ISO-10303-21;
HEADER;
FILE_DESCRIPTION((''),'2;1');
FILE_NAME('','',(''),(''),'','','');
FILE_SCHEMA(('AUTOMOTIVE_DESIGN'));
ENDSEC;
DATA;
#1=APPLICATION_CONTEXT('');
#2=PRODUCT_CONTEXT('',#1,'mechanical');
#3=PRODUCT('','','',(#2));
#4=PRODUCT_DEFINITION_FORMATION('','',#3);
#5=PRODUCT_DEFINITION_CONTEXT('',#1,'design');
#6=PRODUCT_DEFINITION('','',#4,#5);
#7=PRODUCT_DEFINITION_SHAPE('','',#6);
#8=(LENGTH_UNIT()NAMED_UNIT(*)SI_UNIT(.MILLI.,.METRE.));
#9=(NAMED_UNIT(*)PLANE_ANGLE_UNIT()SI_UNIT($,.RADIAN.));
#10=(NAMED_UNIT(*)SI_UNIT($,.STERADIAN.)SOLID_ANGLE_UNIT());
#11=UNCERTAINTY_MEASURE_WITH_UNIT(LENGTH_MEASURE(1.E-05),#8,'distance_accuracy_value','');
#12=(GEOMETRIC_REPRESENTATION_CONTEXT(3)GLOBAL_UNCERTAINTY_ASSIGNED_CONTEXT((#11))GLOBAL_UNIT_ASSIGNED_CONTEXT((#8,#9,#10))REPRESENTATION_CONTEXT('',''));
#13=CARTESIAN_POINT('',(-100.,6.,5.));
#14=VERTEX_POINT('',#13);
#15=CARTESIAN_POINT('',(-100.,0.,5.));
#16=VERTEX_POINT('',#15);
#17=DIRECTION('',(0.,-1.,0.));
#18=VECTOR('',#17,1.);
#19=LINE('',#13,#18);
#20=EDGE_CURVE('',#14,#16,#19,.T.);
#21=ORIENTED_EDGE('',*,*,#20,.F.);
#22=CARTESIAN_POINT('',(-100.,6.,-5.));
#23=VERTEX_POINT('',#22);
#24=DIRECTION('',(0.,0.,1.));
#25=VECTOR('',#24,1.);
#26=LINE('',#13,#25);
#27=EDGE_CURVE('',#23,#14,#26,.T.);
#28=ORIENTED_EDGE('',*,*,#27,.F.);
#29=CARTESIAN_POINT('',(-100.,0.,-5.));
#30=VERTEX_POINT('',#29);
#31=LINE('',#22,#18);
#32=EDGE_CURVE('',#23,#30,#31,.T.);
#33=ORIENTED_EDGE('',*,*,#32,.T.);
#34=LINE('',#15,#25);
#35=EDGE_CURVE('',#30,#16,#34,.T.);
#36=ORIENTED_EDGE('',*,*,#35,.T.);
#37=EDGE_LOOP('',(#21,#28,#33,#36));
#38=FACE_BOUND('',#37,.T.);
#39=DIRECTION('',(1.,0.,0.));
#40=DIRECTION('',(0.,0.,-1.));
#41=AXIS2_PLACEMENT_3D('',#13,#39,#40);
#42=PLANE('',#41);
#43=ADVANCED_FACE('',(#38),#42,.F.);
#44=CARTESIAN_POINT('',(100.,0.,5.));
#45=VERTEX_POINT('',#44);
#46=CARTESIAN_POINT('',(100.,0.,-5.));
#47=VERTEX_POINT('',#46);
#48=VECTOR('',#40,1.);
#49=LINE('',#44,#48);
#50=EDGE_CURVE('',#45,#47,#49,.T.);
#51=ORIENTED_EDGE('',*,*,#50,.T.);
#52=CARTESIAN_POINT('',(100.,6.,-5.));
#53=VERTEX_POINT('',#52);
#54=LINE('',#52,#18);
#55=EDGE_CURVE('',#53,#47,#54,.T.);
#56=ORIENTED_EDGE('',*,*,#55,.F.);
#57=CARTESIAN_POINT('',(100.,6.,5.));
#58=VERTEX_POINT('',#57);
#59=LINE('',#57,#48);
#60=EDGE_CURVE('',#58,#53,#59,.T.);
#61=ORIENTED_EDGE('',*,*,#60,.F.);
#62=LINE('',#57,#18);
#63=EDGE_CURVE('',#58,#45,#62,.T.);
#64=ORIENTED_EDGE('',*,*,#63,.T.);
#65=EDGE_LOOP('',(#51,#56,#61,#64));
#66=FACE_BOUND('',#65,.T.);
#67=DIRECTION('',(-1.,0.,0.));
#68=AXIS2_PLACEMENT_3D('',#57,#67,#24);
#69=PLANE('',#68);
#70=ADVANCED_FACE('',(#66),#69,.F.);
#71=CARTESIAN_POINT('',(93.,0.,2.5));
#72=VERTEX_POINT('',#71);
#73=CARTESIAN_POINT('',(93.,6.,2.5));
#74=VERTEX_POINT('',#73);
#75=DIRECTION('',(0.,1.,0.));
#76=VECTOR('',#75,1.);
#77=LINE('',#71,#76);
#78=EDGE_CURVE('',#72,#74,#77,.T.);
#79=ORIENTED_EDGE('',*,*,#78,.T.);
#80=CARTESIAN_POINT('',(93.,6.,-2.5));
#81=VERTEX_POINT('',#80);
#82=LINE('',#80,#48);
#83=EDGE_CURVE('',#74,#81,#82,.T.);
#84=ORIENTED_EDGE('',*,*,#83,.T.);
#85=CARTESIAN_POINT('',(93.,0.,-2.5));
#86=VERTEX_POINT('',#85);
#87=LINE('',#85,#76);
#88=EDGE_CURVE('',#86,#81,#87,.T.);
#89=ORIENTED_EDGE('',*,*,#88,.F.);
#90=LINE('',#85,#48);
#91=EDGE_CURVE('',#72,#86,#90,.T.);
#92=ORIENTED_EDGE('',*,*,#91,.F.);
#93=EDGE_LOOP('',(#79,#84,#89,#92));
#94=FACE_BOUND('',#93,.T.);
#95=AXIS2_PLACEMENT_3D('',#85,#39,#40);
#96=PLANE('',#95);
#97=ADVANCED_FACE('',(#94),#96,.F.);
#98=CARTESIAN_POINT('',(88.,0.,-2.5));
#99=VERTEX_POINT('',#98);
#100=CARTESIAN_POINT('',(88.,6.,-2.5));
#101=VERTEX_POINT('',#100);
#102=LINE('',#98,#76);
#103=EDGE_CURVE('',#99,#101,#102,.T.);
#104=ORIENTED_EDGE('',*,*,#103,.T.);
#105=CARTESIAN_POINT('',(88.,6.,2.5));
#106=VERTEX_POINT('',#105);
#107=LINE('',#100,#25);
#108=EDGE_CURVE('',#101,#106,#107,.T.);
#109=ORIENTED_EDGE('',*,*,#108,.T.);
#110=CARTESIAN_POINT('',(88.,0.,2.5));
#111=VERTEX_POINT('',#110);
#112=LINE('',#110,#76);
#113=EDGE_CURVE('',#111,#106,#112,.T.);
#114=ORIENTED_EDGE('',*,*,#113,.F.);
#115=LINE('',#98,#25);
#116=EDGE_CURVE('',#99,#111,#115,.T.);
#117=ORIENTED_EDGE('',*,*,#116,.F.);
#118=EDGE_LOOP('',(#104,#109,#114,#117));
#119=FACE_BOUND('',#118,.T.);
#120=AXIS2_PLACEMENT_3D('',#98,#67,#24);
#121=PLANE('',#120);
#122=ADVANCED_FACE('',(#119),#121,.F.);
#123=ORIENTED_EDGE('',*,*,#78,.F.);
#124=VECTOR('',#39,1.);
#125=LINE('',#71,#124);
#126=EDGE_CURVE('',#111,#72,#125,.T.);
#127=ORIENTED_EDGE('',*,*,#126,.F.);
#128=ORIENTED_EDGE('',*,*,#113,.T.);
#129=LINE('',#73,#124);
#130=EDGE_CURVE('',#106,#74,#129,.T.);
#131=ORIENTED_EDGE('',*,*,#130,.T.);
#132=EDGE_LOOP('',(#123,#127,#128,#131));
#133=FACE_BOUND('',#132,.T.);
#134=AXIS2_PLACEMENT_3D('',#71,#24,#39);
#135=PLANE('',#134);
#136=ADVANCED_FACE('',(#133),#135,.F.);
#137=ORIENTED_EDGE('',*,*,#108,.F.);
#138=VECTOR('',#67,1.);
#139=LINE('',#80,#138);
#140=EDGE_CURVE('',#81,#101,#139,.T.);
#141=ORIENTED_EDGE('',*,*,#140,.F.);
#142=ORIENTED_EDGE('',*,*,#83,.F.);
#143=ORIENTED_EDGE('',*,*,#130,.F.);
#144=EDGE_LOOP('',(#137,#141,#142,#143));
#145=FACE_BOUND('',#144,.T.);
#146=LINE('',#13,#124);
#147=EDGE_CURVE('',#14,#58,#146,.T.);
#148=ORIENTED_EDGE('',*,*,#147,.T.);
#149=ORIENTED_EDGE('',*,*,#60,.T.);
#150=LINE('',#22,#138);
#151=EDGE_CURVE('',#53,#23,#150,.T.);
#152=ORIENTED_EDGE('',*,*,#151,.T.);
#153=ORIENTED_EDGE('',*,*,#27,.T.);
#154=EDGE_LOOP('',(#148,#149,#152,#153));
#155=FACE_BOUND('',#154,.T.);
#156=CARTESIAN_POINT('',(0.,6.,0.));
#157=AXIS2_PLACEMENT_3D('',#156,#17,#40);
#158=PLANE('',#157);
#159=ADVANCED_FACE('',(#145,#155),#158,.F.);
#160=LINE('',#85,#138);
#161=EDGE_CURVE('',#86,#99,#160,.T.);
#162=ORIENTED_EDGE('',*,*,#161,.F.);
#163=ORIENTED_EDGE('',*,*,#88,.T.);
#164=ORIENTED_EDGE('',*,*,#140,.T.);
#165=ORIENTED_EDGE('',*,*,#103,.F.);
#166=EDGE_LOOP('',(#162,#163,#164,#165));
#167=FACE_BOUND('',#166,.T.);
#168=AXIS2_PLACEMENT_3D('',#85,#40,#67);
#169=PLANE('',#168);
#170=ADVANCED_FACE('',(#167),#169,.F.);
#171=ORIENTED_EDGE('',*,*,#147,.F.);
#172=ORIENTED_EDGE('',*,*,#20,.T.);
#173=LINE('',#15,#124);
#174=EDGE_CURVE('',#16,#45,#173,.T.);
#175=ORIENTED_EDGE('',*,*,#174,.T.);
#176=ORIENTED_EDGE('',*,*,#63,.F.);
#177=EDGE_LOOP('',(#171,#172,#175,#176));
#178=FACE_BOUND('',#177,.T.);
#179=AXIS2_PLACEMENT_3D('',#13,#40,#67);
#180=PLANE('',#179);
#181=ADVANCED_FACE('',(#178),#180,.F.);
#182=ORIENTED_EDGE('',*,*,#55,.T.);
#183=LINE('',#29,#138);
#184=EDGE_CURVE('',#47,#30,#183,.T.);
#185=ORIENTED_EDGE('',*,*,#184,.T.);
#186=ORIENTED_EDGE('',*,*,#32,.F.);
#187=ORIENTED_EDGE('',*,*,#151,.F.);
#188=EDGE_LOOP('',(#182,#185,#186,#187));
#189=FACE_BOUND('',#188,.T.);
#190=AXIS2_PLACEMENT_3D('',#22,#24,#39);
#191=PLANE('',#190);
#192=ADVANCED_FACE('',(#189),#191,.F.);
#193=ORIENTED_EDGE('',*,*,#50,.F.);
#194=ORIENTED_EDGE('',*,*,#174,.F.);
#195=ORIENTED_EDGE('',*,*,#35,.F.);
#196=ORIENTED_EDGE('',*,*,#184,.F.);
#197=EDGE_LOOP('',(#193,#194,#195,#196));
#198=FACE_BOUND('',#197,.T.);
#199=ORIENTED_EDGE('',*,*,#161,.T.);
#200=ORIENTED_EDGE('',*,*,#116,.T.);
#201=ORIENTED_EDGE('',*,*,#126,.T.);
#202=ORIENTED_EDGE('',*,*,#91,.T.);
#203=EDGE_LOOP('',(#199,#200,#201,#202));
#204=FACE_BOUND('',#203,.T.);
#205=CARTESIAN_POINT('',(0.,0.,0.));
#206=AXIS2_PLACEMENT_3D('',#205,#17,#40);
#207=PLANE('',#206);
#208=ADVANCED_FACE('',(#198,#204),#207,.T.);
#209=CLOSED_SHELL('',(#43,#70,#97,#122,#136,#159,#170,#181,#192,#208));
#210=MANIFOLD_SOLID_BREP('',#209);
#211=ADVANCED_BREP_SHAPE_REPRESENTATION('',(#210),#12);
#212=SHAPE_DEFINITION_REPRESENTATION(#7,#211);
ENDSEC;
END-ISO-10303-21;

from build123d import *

# Parameters (mm, degrees)
SKETCH1_W           = 200
SKETCH1_H           = 10
BOSS_EXTRUDE1_DEPTH = 6
SKETCH2_W           = 5
SKETCH2_H           = 5
CUT_EXTRUDE1_DEPTH  = 101.304536288


with BuildPart() as part:
    # Sketch1 → Boss-Extrude1 (new body)
    with BuildSketch(Plane(origin=(0, 0, 0), x_dir=(1, 0, 0), z_dir=(0, 1, 0))):
        Rectangle(SKETCH1_W, SKETCH1_H)
    extrude(amount=BOSS_EXTRUDE1_DEPTH)

    # Sketch2 → Cut-Extrude1 (cut, through all)
    with BuildSketch(Plane(origin=(0, 6, 0), x_dir=(1, 0, 0), z_dir=(0, 1, 0))):
        with Locations((90.5, 0)):
            Rectangle(SKETCH2_W, SKETCH2_H)
    extrude(amount=-CUT_EXTRUDE1_DEPTH, mode=Mode.SUBTRACT)


solid = part.part
